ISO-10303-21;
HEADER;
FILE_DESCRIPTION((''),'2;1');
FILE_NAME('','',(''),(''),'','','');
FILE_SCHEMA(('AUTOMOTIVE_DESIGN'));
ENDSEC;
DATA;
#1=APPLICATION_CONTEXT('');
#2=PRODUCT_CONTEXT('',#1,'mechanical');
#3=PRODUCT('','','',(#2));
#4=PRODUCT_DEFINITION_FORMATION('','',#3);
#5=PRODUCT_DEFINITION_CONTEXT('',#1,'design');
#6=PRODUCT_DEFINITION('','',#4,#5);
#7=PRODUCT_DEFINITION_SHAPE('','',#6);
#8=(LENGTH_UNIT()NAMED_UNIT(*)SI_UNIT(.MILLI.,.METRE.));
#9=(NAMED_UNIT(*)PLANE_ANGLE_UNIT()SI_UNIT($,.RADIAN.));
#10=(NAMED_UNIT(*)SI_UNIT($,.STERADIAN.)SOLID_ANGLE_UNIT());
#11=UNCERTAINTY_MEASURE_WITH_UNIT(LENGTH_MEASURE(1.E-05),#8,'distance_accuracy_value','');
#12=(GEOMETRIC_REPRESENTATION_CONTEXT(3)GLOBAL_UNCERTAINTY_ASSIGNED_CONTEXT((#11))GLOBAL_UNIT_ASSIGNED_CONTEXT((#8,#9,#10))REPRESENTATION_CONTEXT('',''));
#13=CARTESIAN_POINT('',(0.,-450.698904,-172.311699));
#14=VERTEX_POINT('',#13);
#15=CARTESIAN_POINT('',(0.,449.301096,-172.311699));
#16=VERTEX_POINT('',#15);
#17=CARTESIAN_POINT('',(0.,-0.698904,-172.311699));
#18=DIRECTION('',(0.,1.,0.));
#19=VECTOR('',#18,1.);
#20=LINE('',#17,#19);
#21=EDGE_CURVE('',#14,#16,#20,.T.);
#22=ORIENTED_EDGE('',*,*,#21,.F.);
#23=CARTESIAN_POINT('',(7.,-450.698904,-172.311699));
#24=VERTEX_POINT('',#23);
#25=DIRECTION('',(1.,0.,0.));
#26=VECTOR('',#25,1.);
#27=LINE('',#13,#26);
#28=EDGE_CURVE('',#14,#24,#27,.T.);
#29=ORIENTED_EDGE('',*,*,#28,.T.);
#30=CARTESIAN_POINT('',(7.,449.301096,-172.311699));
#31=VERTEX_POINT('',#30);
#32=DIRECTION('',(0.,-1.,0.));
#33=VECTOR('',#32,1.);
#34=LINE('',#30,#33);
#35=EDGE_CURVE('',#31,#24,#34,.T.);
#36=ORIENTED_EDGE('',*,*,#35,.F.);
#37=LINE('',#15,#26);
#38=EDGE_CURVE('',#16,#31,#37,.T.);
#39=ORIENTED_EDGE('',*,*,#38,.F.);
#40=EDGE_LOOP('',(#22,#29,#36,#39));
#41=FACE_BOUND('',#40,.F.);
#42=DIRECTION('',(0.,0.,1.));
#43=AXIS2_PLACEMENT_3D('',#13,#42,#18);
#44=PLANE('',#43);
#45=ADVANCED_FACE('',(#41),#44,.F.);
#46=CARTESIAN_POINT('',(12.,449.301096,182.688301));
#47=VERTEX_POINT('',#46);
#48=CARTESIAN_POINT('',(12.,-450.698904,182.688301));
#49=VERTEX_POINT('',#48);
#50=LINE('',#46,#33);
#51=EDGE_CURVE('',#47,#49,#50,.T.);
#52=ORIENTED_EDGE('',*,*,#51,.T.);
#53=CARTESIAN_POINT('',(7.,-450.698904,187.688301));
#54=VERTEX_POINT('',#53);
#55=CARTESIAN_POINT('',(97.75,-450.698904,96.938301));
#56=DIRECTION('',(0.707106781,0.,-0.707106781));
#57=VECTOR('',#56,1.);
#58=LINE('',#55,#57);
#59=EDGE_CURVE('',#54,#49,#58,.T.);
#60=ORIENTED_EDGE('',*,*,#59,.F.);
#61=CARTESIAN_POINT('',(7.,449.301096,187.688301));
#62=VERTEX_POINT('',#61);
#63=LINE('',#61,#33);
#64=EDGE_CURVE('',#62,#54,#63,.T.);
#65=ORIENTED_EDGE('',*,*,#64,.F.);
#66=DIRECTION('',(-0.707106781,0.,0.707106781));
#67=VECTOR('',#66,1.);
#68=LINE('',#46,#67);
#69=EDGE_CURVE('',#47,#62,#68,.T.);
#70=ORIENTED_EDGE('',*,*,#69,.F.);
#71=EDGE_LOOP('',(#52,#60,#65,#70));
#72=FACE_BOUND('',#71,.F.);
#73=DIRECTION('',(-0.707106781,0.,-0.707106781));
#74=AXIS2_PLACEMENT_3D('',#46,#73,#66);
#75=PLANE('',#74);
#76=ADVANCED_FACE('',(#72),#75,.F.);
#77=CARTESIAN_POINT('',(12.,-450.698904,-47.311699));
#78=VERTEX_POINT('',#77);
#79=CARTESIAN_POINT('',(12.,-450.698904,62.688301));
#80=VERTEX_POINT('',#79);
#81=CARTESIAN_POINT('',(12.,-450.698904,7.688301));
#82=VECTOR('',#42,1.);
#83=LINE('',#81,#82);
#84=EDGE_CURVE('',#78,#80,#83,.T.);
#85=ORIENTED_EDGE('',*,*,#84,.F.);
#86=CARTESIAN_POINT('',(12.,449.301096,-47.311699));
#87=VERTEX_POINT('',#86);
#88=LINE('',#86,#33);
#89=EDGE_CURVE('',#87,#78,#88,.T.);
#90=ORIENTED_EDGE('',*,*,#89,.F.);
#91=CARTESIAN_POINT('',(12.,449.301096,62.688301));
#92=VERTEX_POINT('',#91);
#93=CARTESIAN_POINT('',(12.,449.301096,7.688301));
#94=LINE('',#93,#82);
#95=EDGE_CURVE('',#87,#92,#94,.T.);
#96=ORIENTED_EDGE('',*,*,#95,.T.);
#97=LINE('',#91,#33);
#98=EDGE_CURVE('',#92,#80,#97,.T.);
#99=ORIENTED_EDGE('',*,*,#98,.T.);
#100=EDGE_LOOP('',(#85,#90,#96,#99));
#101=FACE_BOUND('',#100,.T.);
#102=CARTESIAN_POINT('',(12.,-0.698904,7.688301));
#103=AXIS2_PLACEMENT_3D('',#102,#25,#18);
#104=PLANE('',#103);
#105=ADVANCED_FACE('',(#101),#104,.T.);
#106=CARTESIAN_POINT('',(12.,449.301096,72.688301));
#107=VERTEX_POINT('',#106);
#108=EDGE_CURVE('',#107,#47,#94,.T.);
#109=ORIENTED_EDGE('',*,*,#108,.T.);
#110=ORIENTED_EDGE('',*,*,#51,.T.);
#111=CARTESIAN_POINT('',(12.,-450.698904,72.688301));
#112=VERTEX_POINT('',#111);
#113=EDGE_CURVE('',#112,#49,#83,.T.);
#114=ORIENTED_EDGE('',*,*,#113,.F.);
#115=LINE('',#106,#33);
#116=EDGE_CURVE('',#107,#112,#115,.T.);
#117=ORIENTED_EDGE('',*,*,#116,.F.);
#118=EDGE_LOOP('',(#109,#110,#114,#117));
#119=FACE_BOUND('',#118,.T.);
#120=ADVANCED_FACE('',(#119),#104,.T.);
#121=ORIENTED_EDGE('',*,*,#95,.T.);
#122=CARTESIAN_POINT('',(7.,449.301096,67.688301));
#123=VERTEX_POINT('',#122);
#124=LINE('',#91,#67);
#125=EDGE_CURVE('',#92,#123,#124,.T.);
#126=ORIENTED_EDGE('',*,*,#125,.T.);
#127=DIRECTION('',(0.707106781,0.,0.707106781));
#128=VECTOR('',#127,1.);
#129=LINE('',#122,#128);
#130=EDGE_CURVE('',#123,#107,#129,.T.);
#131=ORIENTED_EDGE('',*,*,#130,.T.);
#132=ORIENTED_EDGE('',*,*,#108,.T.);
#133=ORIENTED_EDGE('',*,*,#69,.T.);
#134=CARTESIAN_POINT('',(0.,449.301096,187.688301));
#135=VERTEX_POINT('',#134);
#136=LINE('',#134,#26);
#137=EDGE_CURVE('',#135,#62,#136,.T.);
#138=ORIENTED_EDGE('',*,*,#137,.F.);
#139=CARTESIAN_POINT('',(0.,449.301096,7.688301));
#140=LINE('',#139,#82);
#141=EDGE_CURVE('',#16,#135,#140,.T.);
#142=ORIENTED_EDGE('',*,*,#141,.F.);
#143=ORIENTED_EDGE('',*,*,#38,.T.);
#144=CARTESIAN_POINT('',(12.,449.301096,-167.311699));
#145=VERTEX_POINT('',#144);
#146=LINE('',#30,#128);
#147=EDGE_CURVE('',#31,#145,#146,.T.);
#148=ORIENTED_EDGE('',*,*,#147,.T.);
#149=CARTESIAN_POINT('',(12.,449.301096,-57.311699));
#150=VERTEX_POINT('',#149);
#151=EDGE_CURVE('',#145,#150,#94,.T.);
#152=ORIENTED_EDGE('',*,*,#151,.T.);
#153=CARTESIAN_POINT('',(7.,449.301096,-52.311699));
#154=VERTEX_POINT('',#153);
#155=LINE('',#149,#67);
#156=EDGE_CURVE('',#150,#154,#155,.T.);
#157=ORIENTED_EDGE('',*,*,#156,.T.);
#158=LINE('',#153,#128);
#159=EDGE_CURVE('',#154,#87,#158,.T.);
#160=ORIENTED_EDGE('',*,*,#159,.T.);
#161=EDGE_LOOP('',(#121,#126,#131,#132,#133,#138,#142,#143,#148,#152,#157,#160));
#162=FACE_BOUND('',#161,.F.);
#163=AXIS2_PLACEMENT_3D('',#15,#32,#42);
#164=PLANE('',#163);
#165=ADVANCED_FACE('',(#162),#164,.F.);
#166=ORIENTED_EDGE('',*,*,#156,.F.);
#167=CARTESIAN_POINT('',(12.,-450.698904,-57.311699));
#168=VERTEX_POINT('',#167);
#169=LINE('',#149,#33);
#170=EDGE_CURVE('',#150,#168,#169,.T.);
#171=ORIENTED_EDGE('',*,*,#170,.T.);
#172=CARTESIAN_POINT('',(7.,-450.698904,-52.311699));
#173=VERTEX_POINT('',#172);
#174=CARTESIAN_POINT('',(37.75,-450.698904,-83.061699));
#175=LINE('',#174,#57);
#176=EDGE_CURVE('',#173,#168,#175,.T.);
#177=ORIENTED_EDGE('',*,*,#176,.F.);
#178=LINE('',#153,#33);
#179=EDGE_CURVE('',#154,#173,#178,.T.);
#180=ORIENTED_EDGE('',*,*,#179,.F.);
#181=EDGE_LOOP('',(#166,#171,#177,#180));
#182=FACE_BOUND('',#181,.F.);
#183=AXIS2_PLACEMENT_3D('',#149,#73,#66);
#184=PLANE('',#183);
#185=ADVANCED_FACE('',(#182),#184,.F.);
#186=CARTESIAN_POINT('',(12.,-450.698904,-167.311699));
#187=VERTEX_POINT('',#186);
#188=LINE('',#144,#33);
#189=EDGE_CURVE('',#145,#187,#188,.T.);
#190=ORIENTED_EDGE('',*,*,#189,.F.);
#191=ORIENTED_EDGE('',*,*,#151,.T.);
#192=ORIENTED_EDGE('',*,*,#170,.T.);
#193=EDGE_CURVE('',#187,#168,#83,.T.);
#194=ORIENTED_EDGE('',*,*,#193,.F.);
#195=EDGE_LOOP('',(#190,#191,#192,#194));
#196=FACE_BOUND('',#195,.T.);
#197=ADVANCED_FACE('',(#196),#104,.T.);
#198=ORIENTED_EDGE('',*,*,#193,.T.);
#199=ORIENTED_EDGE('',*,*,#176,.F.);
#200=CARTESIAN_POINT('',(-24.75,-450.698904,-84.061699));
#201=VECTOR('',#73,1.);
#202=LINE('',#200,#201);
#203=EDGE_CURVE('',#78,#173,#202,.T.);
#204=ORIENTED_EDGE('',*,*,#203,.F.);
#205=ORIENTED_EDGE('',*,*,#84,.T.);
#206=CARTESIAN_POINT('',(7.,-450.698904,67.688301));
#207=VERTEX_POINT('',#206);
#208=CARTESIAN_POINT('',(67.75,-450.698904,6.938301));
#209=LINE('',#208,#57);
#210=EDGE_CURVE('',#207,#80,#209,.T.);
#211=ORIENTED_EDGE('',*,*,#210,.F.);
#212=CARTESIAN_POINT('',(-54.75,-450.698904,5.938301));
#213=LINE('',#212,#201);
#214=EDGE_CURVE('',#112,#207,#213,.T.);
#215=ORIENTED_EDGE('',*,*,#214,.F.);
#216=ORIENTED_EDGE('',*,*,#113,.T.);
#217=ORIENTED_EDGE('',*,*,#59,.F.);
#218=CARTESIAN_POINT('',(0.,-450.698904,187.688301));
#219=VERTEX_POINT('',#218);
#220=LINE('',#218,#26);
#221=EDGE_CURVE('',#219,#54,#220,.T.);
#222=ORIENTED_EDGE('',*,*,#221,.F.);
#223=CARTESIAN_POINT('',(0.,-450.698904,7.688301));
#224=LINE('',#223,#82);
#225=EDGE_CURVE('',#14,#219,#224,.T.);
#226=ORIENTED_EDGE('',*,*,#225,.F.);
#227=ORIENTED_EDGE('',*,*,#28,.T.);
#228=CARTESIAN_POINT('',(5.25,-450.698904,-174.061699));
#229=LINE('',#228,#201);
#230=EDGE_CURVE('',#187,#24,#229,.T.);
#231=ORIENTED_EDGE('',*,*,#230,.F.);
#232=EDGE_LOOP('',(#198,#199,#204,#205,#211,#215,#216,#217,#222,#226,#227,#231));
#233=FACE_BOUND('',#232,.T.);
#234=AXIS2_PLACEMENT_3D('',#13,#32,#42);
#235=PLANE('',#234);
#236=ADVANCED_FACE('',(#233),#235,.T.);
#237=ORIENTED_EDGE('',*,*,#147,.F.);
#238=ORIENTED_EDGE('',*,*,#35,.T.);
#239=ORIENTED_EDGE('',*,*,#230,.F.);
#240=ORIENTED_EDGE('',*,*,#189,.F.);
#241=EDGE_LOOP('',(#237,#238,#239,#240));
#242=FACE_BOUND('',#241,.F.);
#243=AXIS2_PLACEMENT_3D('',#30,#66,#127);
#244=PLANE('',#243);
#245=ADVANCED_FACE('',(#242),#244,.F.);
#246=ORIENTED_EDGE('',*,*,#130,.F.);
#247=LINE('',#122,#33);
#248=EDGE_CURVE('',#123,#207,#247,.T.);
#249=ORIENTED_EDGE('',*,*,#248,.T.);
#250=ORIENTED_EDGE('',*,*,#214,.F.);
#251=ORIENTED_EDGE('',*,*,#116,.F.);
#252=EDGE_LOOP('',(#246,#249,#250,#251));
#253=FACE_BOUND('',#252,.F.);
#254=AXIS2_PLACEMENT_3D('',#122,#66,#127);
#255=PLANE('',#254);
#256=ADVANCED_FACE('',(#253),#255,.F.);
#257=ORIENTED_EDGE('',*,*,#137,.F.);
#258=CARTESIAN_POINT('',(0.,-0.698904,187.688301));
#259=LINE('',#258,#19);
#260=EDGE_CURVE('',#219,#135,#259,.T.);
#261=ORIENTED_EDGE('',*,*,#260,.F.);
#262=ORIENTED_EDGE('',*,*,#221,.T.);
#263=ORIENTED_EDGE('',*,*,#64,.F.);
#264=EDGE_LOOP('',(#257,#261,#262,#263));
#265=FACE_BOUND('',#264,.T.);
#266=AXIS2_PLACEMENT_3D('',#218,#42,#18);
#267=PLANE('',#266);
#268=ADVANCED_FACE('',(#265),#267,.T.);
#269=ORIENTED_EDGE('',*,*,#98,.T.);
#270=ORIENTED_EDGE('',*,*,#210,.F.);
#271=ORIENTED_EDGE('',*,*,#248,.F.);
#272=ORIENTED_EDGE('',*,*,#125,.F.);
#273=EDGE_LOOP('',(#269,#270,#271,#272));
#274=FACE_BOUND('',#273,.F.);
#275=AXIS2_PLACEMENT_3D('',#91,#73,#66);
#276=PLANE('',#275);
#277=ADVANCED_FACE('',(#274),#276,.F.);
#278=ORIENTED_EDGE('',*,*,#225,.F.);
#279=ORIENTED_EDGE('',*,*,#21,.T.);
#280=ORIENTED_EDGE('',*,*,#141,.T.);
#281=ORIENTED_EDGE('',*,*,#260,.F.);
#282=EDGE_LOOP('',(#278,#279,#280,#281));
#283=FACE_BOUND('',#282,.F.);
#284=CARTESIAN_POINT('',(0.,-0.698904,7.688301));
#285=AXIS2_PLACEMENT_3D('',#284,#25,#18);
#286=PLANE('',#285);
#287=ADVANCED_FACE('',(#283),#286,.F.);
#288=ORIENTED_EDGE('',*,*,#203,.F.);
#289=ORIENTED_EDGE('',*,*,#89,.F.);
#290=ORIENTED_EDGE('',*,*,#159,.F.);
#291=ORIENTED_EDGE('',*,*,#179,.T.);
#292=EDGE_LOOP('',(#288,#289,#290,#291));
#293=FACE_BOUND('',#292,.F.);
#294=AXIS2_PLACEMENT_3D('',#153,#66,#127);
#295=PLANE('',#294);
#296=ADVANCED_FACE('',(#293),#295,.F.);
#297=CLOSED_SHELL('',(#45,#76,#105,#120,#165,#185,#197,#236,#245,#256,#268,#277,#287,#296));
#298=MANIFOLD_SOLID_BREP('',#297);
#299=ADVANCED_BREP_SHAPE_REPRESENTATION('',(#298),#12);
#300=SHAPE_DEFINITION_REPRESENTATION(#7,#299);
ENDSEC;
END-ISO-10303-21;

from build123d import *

# Parameters (mm, degrees)
F0_W     = 900
F0_H     = 360
F1_DEPTH = 12
F3_DEPTH = 900.001


with BuildPart() as f1:
    # F0 (on Right) → F1 (new body)
    with BuildSketch(Plane.YZ):
        with Locations((-0.698904, 7.688301)):
            Rectangle(F0_W, F0_H)
    extrude(amount=F1_DEPTH)

    # F2 (on face) → F3 (cut, through all)
    with BuildSketch(Plane(origin=(0, 449.301096, 0), x_dir=(-1, 0, 0), z_dir=(0, 1, 0))):
        Polygon((-12, -167.311699), (-12, -172.311699), (-7, -172.311699), align=None)
        Polygon((-7, -52.311699), (-12, -52.311699), (-12, -57.311699), align=None)
        Polygon((-12, -47.311699), (-12, -52.311699), (-7, -52.311699), align=None)
        Polygon((-7, 67.688301), (-12, 67.688301), (-12, 62.688301), align=None)
        Polygon((-12, 72.688301), (-12, 67.688301), (-7, 67.688301), align=None)
        Polygon((-7, 187.688301), (-12, 187.688301), (-12, 182.688301), align=None)
    extrude(amount=-F3_DEPTH, mode=Mode.SUBTRACT)


solid = f1.part
